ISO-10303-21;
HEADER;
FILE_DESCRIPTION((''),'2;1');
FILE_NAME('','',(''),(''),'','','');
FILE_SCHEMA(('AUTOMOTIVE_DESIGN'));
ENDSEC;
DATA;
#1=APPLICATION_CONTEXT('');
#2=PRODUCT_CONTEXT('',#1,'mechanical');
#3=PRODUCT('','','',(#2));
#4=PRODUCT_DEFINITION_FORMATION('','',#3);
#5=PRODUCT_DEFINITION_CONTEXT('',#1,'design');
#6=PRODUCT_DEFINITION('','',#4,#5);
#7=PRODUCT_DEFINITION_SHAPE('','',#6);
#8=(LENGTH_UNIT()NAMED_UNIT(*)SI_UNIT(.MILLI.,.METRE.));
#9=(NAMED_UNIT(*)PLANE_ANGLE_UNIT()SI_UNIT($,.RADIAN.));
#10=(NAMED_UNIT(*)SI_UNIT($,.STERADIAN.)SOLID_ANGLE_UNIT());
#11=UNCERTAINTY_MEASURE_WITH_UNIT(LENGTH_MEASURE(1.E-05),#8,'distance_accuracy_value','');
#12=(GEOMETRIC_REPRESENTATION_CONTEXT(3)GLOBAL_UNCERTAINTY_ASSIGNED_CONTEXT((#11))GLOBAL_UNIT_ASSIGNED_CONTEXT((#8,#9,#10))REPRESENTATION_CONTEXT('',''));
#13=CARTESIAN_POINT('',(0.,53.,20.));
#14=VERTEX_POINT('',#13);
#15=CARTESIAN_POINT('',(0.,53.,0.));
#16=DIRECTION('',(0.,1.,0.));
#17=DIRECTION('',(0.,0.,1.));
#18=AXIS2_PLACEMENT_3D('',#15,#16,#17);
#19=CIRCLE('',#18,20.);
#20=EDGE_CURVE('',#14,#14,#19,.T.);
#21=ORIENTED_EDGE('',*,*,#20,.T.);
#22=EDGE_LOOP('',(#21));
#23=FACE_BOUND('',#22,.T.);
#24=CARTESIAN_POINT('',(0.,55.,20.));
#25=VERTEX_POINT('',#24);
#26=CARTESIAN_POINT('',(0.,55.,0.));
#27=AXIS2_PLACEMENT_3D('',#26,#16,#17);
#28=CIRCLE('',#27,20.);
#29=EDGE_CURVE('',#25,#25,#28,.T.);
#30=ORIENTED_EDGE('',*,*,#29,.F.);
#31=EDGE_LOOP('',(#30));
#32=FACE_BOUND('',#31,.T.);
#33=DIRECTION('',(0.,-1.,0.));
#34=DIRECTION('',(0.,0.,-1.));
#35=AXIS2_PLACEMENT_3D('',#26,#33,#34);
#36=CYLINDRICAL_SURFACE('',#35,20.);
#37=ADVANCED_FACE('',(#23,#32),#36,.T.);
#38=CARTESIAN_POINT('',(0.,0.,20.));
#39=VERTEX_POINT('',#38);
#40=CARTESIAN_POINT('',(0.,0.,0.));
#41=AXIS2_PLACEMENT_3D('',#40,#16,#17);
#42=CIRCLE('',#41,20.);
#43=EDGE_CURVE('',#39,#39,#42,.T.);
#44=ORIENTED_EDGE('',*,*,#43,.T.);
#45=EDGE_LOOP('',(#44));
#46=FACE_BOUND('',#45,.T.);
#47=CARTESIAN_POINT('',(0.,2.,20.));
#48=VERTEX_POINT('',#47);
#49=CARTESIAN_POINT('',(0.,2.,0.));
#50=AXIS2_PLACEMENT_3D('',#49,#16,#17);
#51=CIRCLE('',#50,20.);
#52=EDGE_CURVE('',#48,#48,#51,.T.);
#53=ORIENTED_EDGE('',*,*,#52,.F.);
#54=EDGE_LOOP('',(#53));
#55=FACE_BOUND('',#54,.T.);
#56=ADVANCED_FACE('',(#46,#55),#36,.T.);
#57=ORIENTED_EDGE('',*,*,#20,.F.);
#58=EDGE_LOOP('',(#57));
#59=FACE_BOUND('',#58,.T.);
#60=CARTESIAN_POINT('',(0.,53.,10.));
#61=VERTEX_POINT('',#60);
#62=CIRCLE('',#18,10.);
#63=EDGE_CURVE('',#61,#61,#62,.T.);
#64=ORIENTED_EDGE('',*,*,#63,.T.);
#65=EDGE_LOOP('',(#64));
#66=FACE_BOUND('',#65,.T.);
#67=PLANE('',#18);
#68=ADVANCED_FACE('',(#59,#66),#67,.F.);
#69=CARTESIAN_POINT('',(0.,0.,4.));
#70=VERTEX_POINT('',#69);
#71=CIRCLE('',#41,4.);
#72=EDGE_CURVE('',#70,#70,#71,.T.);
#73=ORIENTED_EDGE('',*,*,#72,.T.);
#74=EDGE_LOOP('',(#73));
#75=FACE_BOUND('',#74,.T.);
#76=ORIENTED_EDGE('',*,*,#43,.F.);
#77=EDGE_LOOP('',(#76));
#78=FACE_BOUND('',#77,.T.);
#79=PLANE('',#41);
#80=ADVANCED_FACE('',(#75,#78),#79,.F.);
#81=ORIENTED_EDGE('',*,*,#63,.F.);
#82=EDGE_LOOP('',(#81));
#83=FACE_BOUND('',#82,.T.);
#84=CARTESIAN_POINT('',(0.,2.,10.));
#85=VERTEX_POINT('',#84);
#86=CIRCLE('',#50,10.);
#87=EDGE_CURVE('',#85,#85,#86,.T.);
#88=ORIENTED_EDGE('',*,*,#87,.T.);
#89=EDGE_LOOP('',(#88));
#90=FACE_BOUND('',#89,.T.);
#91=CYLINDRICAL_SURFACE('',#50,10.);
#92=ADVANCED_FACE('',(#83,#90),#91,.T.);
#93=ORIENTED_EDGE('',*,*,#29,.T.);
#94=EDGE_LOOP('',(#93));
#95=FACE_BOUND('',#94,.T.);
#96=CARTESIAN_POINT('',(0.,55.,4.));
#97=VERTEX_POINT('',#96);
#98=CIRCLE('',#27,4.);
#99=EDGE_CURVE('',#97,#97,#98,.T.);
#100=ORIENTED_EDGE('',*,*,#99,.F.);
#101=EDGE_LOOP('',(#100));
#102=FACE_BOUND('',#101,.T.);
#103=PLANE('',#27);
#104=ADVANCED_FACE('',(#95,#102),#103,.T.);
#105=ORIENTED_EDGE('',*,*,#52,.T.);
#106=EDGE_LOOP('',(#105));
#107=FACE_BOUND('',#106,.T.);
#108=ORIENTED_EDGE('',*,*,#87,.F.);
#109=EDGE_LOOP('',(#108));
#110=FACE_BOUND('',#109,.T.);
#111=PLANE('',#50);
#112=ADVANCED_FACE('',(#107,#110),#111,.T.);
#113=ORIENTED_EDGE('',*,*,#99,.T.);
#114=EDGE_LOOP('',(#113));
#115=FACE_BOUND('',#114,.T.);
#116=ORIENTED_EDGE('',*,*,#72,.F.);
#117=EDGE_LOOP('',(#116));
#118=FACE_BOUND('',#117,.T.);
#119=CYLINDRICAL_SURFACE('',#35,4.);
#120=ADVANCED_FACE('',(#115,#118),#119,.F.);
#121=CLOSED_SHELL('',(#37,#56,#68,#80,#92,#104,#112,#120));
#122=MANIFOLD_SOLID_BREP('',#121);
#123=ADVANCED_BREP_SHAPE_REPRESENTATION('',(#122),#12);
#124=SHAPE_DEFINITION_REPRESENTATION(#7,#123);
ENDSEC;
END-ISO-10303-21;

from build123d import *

# Parameters (mm, degrees)
SKETCH1_R           = 20
SKETCH1_R_2         = 4
BOSS_EXTRUDE1_DEPTH = 55
CUT_EXTRUDE4_START  = -53
SKETCH2_R           = 20
SKETCH2_R_2         = 10
CUT_EXTRUDE4_DEPTH  = 51


with BuildPart() as part:
    # Sketch1 → Boss-Extrude1 (new body)
    with BuildSketch(Plane(origin=(0, 0, 0), x_dir=(1, 0, 0), z_dir=(0, 1, 0))):
        with Locations(Location((0, 0, 0), (0, 0, 270))):
            Circle(SKETCH1_R)
        with Locations(Location((0, 0, 0), (0, 0, 270))):
            Circle(SKETCH1_R_2, mode=Mode.SUBTRACT)
    extrude(amount=BOSS_EXTRUDE1_DEPTH)

    # Sketch2 → Cut-Extrude4 (cut)
    with BuildSketch(Plane(origin=(0, 55, 0), x_dir=(1, 0, 0), z_dir=(0, 1, 0)).offset(CUT_EXTRUDE4_START)):
        with Locations(Location((0, 0, 0), (0, 0, 270))):
            Circle(SKETCH2_R)
        with Locations(Location((0, 0, 0), (0, 0, 270))):
            Circle(SKETCH2_R_2, mode=Mode.SUBTRACT)
    extrude(amount=CUT_EXTRUDE4_DEPTH, mode=Mode.SUBTRACT)


solid = part.part
